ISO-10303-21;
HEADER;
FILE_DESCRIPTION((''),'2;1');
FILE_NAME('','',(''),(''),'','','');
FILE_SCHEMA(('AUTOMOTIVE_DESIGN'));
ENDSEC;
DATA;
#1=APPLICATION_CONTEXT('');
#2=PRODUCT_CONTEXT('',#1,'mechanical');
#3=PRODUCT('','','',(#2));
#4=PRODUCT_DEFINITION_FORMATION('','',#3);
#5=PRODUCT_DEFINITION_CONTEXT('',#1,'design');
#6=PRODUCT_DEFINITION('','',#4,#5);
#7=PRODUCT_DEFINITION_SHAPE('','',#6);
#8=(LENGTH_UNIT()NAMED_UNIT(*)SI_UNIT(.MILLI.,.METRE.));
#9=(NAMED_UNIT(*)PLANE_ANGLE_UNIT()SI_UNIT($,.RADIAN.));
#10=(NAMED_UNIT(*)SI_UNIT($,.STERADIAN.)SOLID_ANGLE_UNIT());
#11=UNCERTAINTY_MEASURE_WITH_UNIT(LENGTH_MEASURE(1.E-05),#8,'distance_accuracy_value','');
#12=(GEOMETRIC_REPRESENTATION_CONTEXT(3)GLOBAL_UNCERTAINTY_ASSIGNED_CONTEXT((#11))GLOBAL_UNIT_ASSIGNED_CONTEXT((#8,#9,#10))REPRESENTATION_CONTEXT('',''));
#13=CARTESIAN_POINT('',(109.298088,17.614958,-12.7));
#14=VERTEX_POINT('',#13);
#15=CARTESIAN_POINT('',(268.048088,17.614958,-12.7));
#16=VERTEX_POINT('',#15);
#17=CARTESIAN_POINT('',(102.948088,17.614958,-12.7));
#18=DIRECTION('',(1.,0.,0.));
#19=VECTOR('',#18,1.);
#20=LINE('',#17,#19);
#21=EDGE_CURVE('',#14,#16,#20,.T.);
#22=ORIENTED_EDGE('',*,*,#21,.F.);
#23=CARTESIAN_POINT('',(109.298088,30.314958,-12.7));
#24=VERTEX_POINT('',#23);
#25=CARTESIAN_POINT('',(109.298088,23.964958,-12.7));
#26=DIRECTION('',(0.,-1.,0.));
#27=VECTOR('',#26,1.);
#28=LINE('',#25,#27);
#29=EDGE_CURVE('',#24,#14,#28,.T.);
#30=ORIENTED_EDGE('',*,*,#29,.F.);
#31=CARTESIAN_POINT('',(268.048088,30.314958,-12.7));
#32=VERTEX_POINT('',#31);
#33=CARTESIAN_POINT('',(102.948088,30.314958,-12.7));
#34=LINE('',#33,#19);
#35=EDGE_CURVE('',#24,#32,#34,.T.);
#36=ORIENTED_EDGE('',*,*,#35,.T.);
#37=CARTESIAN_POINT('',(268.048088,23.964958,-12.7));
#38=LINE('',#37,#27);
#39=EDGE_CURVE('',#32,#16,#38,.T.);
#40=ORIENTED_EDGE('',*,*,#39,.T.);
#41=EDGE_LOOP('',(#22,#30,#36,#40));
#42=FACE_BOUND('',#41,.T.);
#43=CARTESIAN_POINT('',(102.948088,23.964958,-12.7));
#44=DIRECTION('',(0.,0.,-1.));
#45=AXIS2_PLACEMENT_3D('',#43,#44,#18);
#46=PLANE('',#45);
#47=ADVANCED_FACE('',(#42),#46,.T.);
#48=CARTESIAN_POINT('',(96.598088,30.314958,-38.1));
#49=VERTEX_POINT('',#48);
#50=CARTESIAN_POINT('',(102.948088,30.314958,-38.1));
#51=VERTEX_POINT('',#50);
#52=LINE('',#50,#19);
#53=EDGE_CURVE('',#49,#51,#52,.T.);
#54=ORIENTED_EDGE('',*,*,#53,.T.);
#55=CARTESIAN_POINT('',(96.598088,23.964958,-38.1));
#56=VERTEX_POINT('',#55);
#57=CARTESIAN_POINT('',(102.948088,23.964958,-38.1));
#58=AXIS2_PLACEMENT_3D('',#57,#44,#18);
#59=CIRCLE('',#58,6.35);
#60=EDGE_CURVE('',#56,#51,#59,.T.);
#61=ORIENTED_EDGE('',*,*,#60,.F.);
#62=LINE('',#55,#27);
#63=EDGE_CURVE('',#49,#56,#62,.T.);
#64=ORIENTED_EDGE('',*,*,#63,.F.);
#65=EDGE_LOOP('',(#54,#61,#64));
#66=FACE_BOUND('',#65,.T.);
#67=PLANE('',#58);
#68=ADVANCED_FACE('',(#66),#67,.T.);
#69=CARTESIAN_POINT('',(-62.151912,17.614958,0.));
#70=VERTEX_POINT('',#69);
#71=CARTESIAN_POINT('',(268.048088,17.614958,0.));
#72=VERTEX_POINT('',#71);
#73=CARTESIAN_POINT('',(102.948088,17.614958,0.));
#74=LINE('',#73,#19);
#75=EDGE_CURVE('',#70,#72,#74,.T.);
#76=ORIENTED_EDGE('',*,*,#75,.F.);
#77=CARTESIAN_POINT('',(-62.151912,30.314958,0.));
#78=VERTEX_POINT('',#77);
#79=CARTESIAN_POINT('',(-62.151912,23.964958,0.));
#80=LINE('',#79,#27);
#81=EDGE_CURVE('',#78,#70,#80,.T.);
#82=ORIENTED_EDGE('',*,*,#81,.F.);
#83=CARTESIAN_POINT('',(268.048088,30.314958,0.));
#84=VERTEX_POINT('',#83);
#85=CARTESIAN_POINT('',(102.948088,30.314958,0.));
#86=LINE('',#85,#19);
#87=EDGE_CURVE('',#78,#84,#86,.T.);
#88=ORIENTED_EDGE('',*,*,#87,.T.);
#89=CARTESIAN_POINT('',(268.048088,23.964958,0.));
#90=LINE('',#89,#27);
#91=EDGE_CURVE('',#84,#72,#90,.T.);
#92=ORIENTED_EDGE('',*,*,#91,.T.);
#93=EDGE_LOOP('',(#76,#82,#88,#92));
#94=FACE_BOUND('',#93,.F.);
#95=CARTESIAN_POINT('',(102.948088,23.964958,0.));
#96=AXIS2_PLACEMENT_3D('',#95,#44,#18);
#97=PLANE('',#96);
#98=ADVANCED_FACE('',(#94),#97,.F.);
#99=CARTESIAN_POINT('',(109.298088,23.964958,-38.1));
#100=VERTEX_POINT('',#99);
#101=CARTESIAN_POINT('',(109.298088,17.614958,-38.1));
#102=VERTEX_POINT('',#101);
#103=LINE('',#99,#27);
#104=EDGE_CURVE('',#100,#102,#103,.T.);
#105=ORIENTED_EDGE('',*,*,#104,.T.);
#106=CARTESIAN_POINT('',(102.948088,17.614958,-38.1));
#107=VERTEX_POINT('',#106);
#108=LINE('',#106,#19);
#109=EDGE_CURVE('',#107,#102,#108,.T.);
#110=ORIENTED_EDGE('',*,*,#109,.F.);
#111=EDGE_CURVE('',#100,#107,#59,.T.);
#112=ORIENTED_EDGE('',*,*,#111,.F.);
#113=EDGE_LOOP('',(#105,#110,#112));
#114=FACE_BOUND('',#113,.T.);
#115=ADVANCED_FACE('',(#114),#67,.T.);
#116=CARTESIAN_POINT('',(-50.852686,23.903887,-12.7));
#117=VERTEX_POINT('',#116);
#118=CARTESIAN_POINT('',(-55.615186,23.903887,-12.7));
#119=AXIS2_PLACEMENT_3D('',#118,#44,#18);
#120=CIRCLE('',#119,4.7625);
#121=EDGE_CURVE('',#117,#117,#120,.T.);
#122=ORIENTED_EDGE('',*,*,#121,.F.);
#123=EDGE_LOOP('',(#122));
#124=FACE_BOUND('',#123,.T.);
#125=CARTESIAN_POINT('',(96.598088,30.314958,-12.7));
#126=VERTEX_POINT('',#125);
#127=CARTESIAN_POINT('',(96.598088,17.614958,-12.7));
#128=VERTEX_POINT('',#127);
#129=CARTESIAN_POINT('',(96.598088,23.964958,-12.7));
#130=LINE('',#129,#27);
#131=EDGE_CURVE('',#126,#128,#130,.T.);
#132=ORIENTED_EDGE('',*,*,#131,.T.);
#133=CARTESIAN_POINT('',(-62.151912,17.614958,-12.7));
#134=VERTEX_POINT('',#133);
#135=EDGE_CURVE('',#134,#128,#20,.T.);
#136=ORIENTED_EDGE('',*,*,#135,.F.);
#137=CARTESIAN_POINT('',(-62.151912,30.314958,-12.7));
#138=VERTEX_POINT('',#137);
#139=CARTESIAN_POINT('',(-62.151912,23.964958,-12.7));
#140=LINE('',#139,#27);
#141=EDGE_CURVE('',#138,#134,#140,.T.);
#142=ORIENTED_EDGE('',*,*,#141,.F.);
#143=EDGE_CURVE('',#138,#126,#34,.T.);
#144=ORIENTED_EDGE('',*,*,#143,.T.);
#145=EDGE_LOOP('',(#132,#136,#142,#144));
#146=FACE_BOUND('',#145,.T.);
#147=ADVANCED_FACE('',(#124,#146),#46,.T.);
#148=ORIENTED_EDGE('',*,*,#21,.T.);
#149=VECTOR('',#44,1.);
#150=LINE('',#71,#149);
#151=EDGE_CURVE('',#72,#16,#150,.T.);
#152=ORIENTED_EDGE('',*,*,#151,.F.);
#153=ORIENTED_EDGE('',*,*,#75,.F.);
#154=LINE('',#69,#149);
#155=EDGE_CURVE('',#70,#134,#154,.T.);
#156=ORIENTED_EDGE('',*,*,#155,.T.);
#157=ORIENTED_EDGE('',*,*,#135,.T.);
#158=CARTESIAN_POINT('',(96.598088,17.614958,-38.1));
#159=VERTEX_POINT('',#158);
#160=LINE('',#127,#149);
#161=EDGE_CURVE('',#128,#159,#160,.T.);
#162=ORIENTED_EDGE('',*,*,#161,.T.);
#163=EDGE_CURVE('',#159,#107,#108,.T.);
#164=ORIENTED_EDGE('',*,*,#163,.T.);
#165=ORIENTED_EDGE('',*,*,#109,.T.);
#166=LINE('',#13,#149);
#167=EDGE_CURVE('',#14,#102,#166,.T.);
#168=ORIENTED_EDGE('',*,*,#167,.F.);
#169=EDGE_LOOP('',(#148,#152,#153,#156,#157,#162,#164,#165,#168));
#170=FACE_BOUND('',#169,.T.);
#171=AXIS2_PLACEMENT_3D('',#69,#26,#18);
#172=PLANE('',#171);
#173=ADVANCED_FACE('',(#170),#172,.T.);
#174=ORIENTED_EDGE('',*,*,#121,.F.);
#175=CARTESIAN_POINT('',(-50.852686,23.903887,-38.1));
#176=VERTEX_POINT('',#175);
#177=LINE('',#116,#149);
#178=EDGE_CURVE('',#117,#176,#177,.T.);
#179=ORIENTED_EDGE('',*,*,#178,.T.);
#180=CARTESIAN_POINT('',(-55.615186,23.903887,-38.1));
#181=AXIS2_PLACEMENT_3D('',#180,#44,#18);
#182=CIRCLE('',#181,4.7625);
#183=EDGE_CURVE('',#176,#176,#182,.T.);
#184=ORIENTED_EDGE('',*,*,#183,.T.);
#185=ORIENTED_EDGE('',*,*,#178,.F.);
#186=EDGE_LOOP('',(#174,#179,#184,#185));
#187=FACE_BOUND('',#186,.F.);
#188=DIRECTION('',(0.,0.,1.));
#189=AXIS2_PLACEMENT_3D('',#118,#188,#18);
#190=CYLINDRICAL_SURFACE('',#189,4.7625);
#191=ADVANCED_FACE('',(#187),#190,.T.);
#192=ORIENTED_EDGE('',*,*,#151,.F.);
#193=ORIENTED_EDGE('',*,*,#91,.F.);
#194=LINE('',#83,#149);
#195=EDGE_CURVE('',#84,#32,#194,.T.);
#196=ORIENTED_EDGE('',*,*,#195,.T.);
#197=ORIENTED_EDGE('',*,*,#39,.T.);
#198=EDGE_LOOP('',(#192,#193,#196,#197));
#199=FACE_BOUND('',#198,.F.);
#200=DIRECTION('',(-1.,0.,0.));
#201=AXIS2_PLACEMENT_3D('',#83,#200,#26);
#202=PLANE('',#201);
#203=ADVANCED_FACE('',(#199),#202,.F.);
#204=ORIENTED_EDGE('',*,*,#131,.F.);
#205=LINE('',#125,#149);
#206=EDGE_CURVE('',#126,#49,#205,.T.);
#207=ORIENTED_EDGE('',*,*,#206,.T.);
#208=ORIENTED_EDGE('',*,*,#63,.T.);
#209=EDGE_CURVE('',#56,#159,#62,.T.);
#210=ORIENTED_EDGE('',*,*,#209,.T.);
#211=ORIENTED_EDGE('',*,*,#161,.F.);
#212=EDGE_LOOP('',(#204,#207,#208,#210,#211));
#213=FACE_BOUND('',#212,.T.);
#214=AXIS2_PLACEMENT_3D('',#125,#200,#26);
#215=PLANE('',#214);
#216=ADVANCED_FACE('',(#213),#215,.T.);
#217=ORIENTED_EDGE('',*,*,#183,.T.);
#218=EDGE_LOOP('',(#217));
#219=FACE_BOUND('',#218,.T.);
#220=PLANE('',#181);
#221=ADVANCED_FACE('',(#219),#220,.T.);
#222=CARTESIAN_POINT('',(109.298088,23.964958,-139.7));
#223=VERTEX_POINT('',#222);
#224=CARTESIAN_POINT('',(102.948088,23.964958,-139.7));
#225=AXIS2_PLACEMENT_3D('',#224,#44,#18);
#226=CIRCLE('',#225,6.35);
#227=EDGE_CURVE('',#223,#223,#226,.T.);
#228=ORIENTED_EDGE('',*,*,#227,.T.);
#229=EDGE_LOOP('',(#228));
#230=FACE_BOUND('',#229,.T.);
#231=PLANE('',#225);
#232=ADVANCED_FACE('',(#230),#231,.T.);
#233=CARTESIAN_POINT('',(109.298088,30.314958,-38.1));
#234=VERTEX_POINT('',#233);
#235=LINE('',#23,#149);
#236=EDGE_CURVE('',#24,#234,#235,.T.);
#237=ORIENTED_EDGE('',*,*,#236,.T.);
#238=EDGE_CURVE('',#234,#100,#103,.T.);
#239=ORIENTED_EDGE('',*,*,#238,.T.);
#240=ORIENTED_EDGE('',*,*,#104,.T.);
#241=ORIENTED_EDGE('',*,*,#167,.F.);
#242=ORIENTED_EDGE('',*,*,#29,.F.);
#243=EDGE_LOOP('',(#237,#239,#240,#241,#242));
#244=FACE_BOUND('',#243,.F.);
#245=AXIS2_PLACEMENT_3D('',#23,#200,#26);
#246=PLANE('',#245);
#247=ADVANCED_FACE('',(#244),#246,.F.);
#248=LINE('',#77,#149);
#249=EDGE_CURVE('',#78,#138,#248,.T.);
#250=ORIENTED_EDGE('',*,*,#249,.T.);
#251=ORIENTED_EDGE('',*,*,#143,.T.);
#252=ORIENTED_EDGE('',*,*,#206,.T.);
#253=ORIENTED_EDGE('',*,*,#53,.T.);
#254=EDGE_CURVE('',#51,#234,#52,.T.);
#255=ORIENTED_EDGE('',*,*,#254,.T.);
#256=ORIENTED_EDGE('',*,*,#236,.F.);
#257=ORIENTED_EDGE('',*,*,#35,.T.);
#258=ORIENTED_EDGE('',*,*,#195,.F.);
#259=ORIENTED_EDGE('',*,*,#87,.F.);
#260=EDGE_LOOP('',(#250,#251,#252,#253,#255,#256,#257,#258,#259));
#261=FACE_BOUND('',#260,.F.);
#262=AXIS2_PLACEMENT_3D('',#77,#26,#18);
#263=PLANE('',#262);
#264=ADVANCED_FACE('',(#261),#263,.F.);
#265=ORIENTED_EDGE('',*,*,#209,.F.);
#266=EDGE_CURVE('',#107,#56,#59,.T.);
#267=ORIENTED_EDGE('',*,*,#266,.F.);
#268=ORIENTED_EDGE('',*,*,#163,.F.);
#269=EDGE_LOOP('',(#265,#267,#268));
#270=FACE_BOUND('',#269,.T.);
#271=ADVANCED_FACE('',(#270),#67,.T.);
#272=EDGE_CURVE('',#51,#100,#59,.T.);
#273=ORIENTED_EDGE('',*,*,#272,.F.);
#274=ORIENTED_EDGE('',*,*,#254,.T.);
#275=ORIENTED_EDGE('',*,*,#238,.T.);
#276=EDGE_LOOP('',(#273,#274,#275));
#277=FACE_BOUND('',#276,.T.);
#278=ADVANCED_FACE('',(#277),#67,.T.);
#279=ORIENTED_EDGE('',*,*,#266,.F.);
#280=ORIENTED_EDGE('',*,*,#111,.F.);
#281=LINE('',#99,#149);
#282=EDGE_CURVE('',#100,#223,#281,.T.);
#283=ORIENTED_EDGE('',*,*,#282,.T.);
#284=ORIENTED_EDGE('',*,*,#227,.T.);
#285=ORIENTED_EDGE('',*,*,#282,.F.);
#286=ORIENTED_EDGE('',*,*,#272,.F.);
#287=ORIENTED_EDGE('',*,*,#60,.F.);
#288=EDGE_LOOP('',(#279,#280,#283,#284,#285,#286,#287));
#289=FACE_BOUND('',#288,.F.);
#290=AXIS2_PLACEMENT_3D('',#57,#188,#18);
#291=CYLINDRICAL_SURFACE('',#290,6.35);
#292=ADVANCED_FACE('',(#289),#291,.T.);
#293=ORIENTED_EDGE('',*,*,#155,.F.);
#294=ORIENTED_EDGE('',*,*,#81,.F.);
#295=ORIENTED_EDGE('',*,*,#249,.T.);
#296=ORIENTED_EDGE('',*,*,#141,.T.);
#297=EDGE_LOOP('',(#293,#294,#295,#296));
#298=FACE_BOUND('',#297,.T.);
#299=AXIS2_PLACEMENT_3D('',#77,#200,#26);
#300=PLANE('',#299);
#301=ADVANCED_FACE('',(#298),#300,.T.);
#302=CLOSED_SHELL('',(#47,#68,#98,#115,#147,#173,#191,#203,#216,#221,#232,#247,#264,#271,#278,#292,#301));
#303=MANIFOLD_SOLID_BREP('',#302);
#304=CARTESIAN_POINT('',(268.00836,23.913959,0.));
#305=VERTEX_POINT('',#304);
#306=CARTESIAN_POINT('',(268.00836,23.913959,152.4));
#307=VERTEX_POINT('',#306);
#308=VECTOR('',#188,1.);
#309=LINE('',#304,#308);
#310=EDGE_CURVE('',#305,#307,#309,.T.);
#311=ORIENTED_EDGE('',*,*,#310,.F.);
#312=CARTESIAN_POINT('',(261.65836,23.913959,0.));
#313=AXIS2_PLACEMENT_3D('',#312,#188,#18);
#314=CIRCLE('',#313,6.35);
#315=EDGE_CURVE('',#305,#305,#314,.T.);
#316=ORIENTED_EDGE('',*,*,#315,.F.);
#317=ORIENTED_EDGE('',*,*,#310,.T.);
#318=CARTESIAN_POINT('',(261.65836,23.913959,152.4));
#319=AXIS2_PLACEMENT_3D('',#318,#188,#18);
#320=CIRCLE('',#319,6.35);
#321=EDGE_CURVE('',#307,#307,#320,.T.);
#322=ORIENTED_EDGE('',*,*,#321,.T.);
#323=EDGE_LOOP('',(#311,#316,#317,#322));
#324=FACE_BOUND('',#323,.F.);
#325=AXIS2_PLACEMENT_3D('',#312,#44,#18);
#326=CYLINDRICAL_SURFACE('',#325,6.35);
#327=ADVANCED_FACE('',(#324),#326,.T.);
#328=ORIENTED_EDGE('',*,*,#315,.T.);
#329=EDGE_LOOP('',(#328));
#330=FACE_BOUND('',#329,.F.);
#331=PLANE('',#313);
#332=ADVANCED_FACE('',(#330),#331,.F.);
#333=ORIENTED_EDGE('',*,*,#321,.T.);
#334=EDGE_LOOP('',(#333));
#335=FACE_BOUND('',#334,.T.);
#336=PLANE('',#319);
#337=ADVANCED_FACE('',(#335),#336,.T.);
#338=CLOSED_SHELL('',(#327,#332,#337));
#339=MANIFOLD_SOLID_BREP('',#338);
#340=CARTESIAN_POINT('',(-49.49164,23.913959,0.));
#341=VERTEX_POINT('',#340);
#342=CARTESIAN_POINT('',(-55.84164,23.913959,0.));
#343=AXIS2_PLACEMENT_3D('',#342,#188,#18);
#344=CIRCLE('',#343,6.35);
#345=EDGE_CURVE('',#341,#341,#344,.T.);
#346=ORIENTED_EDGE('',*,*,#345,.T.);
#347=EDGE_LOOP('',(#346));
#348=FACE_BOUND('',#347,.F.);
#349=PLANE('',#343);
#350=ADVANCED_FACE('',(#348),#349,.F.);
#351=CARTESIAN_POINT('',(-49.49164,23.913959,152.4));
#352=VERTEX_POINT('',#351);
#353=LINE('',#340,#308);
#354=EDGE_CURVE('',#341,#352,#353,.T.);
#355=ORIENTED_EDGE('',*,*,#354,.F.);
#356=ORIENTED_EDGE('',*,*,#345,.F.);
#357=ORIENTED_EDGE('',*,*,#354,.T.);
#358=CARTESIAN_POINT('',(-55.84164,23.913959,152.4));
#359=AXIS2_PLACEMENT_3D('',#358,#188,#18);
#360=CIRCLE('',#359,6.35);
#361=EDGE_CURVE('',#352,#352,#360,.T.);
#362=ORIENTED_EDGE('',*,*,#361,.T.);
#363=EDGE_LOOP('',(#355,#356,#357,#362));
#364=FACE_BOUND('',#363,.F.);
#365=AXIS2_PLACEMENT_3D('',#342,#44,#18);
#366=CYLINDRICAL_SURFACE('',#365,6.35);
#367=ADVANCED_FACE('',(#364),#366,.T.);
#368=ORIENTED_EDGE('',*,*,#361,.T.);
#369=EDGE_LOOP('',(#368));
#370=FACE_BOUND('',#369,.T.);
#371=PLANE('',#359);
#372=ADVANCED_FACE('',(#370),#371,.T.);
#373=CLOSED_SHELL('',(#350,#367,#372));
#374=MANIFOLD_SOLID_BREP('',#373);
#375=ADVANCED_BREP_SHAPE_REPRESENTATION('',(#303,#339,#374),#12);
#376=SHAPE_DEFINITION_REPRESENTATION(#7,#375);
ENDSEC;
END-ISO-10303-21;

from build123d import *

# Parameters (mm, degrees)
F0_R     = 6.35
F1_DEPTH = 152.4
F2_W     = 330.2
F2_H     = 12.7
F3_DEPTH = 12.7
F5_R     = 4.7625
F6_DEPTH = 25.4
F4_W     = 12.7
F4_H     = 12.7
F7_DEPTH = 25.4
F8_R     = 6.35
F9_DEPTH = 101.6


with BuildPart() as f1:
    # F0 (on Top) → F1 (new body)
    with BuildSketch(Plane.XY):
        with Locations((261.65836, 23.913959)):
            Circle(F0_R)
        with Locations((-55.84164, 23.913959)):
            Circle(F0_R)
    extrude(amount=F1_DEPTH)


with BuildPart() as f3:
    # F2 (on face) → F3 (new body)
    with BuildSketch(Plane(origin=(0, 0, 0), x_dir=(1, 0, 0), z_dir=(0, 0, -1))):
        with Locations((102.948088, -23.964958)):
            Rectangle(F2_W, F2_H)
    extrude(amount=F3_DEPTH)

    # F5 (on face) → F6 (join)
    with BuildSketch(Plane(origin=(0, 0, -12.7), x_dir=(1, 0, 0), z_dir=(0, 0, -1))):
        with Locations((-55.615186, -23.903887)):
            Circle(F5_R)
    extrude(amount=F6_DEPTH)

    # F4 (on face) → F7 (join)
    with BuildSketch(Plane(origin=(0, 0, -12.7), x_dir=(1, 0, 0), z_dir=(0, 0, -1))):
        with Locations((102.948088, -23.964958)):
            Rectangle(F4_W, F4_H)
    extrude(amount=F7_DEPTH)

    # F8 (on face) → F9 (join)
    with BuildSketch(Plane(origin=(0, 0, -38.1), x_dir=(1, 0, 0), z_dir=(0, 0, -1))):
        with Locations((102.948088, -23.964958)):
            Circle(F8_R)
    extrude(amount=F9_DEPTH)


solid = Compound([f1.part, f3.part])
